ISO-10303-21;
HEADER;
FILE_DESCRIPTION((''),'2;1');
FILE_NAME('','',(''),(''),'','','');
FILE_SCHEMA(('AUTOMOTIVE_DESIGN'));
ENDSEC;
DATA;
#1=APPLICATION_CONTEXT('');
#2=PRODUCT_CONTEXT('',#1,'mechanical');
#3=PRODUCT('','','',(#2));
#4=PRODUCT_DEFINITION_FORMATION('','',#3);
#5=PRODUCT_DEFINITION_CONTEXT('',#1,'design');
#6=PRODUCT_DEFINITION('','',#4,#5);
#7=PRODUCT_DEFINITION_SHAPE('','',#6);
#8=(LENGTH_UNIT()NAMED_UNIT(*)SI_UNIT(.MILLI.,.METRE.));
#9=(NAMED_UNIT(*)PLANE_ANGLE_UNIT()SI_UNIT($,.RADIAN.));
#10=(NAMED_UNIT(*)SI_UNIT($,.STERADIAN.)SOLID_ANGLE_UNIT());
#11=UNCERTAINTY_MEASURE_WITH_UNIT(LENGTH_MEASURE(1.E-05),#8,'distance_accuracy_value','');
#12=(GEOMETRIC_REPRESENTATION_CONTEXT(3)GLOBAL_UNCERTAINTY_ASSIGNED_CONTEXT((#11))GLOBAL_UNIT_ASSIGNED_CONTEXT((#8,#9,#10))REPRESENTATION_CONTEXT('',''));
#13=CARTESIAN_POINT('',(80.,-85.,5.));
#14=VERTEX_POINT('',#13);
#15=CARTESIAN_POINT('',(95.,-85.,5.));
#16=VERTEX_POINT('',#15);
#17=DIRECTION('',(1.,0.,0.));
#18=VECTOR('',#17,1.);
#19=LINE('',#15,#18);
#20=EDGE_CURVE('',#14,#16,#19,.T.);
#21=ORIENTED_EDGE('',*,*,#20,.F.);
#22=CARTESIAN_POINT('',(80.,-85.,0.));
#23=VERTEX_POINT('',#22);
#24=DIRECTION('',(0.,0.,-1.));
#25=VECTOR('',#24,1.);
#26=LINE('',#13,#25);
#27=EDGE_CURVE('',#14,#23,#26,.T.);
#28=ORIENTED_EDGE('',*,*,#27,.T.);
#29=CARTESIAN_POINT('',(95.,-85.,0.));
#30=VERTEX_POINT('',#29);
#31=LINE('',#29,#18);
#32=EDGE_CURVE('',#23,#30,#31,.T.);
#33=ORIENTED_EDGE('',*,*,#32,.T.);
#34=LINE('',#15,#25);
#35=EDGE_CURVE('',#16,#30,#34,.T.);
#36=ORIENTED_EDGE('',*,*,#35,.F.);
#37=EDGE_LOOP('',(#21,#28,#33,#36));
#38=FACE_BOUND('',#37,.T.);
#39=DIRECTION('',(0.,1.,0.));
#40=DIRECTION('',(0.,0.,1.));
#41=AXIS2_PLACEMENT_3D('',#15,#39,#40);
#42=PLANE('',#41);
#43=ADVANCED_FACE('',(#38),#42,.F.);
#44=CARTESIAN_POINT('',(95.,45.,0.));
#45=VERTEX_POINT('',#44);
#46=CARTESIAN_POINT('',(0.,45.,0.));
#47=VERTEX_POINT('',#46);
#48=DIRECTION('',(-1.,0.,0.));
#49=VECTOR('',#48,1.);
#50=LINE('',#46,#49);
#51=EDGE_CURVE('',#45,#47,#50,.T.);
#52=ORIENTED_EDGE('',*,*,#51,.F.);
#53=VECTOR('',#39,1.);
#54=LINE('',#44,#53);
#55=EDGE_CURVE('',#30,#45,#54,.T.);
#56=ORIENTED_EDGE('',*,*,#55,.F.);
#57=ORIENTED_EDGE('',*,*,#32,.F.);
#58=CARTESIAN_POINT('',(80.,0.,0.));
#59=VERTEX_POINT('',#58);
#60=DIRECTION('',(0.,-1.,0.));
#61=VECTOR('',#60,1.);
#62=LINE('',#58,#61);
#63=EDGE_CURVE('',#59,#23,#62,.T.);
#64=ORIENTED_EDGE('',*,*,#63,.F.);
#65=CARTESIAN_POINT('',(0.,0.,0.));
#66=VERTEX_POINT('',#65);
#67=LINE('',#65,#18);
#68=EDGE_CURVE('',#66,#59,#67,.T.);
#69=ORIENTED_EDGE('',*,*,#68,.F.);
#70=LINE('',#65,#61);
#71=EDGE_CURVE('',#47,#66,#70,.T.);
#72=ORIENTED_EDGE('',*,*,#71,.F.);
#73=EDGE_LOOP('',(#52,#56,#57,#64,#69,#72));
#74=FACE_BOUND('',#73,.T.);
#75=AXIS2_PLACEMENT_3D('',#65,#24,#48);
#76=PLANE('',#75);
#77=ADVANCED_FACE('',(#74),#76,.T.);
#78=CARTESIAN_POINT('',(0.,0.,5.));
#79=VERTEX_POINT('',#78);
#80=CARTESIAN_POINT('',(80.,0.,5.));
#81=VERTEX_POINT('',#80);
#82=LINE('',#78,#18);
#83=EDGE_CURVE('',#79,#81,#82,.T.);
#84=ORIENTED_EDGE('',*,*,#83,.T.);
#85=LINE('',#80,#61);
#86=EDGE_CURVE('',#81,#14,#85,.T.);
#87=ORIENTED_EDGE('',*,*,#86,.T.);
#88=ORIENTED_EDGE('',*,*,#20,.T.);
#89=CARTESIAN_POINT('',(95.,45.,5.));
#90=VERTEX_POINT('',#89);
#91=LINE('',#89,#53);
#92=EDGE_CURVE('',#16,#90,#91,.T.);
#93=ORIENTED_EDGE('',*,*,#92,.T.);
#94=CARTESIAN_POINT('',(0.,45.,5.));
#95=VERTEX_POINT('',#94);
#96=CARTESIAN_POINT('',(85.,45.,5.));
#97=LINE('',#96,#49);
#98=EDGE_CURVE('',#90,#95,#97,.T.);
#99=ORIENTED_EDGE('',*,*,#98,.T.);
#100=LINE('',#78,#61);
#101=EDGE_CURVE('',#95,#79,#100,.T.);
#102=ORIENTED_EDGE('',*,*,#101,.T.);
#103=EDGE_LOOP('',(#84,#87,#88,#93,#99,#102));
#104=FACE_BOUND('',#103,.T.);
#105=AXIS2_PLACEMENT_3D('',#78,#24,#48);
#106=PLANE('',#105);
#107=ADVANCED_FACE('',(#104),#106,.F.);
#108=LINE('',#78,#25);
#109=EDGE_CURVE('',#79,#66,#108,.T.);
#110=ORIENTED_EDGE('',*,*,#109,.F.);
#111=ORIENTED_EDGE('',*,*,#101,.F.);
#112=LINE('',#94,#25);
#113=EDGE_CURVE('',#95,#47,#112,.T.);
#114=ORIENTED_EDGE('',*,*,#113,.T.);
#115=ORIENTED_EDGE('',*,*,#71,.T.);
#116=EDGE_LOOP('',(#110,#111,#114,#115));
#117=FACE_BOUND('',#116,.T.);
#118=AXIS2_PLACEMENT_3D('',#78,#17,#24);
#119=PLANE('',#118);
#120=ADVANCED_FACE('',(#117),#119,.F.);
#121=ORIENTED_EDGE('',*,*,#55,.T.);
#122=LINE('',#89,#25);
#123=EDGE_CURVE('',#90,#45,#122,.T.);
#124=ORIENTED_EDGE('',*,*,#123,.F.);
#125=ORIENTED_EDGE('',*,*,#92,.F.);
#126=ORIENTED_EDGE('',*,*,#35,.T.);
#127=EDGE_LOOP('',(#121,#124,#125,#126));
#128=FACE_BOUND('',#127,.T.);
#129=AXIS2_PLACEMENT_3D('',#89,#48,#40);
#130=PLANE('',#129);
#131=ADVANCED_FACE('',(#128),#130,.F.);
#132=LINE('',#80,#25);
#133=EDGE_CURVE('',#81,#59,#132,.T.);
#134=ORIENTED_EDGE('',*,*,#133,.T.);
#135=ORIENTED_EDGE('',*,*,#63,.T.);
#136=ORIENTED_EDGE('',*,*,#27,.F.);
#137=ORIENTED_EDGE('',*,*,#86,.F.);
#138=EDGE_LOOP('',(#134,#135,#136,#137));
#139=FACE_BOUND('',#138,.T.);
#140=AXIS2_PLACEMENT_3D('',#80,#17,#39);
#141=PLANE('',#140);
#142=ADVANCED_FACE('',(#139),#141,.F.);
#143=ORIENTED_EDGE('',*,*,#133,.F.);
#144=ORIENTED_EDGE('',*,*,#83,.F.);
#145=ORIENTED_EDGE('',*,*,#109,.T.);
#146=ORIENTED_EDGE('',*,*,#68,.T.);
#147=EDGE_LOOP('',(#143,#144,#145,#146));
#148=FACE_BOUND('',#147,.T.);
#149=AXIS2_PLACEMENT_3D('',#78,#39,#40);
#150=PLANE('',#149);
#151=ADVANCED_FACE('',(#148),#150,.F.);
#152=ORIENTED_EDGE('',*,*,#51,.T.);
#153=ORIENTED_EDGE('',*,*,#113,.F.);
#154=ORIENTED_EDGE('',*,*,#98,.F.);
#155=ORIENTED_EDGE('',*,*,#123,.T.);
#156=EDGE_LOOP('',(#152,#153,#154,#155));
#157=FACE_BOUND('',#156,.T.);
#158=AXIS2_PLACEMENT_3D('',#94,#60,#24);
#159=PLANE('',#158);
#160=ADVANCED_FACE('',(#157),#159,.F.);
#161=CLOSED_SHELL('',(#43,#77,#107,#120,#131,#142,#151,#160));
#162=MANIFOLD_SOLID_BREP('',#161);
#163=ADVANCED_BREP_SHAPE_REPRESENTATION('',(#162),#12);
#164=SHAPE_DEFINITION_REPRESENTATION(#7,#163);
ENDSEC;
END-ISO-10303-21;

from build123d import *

# Parameters (mm, degrees)
BOSS_EXTRUDE1_DEPTH = 5


with BuildPart() as part:
    # Sketch1 → Boss-Extrude1 (new body)
    with BuildSketch(Plane.XY):
        Polygon((0, 0), (80, 0), (80, -85), (95, -85), (95, 45), (85, 45), (0, 45), align=None)
    extrude(amount=BOSS_EXTRUDE1_DEPTH)


solid = part.part
